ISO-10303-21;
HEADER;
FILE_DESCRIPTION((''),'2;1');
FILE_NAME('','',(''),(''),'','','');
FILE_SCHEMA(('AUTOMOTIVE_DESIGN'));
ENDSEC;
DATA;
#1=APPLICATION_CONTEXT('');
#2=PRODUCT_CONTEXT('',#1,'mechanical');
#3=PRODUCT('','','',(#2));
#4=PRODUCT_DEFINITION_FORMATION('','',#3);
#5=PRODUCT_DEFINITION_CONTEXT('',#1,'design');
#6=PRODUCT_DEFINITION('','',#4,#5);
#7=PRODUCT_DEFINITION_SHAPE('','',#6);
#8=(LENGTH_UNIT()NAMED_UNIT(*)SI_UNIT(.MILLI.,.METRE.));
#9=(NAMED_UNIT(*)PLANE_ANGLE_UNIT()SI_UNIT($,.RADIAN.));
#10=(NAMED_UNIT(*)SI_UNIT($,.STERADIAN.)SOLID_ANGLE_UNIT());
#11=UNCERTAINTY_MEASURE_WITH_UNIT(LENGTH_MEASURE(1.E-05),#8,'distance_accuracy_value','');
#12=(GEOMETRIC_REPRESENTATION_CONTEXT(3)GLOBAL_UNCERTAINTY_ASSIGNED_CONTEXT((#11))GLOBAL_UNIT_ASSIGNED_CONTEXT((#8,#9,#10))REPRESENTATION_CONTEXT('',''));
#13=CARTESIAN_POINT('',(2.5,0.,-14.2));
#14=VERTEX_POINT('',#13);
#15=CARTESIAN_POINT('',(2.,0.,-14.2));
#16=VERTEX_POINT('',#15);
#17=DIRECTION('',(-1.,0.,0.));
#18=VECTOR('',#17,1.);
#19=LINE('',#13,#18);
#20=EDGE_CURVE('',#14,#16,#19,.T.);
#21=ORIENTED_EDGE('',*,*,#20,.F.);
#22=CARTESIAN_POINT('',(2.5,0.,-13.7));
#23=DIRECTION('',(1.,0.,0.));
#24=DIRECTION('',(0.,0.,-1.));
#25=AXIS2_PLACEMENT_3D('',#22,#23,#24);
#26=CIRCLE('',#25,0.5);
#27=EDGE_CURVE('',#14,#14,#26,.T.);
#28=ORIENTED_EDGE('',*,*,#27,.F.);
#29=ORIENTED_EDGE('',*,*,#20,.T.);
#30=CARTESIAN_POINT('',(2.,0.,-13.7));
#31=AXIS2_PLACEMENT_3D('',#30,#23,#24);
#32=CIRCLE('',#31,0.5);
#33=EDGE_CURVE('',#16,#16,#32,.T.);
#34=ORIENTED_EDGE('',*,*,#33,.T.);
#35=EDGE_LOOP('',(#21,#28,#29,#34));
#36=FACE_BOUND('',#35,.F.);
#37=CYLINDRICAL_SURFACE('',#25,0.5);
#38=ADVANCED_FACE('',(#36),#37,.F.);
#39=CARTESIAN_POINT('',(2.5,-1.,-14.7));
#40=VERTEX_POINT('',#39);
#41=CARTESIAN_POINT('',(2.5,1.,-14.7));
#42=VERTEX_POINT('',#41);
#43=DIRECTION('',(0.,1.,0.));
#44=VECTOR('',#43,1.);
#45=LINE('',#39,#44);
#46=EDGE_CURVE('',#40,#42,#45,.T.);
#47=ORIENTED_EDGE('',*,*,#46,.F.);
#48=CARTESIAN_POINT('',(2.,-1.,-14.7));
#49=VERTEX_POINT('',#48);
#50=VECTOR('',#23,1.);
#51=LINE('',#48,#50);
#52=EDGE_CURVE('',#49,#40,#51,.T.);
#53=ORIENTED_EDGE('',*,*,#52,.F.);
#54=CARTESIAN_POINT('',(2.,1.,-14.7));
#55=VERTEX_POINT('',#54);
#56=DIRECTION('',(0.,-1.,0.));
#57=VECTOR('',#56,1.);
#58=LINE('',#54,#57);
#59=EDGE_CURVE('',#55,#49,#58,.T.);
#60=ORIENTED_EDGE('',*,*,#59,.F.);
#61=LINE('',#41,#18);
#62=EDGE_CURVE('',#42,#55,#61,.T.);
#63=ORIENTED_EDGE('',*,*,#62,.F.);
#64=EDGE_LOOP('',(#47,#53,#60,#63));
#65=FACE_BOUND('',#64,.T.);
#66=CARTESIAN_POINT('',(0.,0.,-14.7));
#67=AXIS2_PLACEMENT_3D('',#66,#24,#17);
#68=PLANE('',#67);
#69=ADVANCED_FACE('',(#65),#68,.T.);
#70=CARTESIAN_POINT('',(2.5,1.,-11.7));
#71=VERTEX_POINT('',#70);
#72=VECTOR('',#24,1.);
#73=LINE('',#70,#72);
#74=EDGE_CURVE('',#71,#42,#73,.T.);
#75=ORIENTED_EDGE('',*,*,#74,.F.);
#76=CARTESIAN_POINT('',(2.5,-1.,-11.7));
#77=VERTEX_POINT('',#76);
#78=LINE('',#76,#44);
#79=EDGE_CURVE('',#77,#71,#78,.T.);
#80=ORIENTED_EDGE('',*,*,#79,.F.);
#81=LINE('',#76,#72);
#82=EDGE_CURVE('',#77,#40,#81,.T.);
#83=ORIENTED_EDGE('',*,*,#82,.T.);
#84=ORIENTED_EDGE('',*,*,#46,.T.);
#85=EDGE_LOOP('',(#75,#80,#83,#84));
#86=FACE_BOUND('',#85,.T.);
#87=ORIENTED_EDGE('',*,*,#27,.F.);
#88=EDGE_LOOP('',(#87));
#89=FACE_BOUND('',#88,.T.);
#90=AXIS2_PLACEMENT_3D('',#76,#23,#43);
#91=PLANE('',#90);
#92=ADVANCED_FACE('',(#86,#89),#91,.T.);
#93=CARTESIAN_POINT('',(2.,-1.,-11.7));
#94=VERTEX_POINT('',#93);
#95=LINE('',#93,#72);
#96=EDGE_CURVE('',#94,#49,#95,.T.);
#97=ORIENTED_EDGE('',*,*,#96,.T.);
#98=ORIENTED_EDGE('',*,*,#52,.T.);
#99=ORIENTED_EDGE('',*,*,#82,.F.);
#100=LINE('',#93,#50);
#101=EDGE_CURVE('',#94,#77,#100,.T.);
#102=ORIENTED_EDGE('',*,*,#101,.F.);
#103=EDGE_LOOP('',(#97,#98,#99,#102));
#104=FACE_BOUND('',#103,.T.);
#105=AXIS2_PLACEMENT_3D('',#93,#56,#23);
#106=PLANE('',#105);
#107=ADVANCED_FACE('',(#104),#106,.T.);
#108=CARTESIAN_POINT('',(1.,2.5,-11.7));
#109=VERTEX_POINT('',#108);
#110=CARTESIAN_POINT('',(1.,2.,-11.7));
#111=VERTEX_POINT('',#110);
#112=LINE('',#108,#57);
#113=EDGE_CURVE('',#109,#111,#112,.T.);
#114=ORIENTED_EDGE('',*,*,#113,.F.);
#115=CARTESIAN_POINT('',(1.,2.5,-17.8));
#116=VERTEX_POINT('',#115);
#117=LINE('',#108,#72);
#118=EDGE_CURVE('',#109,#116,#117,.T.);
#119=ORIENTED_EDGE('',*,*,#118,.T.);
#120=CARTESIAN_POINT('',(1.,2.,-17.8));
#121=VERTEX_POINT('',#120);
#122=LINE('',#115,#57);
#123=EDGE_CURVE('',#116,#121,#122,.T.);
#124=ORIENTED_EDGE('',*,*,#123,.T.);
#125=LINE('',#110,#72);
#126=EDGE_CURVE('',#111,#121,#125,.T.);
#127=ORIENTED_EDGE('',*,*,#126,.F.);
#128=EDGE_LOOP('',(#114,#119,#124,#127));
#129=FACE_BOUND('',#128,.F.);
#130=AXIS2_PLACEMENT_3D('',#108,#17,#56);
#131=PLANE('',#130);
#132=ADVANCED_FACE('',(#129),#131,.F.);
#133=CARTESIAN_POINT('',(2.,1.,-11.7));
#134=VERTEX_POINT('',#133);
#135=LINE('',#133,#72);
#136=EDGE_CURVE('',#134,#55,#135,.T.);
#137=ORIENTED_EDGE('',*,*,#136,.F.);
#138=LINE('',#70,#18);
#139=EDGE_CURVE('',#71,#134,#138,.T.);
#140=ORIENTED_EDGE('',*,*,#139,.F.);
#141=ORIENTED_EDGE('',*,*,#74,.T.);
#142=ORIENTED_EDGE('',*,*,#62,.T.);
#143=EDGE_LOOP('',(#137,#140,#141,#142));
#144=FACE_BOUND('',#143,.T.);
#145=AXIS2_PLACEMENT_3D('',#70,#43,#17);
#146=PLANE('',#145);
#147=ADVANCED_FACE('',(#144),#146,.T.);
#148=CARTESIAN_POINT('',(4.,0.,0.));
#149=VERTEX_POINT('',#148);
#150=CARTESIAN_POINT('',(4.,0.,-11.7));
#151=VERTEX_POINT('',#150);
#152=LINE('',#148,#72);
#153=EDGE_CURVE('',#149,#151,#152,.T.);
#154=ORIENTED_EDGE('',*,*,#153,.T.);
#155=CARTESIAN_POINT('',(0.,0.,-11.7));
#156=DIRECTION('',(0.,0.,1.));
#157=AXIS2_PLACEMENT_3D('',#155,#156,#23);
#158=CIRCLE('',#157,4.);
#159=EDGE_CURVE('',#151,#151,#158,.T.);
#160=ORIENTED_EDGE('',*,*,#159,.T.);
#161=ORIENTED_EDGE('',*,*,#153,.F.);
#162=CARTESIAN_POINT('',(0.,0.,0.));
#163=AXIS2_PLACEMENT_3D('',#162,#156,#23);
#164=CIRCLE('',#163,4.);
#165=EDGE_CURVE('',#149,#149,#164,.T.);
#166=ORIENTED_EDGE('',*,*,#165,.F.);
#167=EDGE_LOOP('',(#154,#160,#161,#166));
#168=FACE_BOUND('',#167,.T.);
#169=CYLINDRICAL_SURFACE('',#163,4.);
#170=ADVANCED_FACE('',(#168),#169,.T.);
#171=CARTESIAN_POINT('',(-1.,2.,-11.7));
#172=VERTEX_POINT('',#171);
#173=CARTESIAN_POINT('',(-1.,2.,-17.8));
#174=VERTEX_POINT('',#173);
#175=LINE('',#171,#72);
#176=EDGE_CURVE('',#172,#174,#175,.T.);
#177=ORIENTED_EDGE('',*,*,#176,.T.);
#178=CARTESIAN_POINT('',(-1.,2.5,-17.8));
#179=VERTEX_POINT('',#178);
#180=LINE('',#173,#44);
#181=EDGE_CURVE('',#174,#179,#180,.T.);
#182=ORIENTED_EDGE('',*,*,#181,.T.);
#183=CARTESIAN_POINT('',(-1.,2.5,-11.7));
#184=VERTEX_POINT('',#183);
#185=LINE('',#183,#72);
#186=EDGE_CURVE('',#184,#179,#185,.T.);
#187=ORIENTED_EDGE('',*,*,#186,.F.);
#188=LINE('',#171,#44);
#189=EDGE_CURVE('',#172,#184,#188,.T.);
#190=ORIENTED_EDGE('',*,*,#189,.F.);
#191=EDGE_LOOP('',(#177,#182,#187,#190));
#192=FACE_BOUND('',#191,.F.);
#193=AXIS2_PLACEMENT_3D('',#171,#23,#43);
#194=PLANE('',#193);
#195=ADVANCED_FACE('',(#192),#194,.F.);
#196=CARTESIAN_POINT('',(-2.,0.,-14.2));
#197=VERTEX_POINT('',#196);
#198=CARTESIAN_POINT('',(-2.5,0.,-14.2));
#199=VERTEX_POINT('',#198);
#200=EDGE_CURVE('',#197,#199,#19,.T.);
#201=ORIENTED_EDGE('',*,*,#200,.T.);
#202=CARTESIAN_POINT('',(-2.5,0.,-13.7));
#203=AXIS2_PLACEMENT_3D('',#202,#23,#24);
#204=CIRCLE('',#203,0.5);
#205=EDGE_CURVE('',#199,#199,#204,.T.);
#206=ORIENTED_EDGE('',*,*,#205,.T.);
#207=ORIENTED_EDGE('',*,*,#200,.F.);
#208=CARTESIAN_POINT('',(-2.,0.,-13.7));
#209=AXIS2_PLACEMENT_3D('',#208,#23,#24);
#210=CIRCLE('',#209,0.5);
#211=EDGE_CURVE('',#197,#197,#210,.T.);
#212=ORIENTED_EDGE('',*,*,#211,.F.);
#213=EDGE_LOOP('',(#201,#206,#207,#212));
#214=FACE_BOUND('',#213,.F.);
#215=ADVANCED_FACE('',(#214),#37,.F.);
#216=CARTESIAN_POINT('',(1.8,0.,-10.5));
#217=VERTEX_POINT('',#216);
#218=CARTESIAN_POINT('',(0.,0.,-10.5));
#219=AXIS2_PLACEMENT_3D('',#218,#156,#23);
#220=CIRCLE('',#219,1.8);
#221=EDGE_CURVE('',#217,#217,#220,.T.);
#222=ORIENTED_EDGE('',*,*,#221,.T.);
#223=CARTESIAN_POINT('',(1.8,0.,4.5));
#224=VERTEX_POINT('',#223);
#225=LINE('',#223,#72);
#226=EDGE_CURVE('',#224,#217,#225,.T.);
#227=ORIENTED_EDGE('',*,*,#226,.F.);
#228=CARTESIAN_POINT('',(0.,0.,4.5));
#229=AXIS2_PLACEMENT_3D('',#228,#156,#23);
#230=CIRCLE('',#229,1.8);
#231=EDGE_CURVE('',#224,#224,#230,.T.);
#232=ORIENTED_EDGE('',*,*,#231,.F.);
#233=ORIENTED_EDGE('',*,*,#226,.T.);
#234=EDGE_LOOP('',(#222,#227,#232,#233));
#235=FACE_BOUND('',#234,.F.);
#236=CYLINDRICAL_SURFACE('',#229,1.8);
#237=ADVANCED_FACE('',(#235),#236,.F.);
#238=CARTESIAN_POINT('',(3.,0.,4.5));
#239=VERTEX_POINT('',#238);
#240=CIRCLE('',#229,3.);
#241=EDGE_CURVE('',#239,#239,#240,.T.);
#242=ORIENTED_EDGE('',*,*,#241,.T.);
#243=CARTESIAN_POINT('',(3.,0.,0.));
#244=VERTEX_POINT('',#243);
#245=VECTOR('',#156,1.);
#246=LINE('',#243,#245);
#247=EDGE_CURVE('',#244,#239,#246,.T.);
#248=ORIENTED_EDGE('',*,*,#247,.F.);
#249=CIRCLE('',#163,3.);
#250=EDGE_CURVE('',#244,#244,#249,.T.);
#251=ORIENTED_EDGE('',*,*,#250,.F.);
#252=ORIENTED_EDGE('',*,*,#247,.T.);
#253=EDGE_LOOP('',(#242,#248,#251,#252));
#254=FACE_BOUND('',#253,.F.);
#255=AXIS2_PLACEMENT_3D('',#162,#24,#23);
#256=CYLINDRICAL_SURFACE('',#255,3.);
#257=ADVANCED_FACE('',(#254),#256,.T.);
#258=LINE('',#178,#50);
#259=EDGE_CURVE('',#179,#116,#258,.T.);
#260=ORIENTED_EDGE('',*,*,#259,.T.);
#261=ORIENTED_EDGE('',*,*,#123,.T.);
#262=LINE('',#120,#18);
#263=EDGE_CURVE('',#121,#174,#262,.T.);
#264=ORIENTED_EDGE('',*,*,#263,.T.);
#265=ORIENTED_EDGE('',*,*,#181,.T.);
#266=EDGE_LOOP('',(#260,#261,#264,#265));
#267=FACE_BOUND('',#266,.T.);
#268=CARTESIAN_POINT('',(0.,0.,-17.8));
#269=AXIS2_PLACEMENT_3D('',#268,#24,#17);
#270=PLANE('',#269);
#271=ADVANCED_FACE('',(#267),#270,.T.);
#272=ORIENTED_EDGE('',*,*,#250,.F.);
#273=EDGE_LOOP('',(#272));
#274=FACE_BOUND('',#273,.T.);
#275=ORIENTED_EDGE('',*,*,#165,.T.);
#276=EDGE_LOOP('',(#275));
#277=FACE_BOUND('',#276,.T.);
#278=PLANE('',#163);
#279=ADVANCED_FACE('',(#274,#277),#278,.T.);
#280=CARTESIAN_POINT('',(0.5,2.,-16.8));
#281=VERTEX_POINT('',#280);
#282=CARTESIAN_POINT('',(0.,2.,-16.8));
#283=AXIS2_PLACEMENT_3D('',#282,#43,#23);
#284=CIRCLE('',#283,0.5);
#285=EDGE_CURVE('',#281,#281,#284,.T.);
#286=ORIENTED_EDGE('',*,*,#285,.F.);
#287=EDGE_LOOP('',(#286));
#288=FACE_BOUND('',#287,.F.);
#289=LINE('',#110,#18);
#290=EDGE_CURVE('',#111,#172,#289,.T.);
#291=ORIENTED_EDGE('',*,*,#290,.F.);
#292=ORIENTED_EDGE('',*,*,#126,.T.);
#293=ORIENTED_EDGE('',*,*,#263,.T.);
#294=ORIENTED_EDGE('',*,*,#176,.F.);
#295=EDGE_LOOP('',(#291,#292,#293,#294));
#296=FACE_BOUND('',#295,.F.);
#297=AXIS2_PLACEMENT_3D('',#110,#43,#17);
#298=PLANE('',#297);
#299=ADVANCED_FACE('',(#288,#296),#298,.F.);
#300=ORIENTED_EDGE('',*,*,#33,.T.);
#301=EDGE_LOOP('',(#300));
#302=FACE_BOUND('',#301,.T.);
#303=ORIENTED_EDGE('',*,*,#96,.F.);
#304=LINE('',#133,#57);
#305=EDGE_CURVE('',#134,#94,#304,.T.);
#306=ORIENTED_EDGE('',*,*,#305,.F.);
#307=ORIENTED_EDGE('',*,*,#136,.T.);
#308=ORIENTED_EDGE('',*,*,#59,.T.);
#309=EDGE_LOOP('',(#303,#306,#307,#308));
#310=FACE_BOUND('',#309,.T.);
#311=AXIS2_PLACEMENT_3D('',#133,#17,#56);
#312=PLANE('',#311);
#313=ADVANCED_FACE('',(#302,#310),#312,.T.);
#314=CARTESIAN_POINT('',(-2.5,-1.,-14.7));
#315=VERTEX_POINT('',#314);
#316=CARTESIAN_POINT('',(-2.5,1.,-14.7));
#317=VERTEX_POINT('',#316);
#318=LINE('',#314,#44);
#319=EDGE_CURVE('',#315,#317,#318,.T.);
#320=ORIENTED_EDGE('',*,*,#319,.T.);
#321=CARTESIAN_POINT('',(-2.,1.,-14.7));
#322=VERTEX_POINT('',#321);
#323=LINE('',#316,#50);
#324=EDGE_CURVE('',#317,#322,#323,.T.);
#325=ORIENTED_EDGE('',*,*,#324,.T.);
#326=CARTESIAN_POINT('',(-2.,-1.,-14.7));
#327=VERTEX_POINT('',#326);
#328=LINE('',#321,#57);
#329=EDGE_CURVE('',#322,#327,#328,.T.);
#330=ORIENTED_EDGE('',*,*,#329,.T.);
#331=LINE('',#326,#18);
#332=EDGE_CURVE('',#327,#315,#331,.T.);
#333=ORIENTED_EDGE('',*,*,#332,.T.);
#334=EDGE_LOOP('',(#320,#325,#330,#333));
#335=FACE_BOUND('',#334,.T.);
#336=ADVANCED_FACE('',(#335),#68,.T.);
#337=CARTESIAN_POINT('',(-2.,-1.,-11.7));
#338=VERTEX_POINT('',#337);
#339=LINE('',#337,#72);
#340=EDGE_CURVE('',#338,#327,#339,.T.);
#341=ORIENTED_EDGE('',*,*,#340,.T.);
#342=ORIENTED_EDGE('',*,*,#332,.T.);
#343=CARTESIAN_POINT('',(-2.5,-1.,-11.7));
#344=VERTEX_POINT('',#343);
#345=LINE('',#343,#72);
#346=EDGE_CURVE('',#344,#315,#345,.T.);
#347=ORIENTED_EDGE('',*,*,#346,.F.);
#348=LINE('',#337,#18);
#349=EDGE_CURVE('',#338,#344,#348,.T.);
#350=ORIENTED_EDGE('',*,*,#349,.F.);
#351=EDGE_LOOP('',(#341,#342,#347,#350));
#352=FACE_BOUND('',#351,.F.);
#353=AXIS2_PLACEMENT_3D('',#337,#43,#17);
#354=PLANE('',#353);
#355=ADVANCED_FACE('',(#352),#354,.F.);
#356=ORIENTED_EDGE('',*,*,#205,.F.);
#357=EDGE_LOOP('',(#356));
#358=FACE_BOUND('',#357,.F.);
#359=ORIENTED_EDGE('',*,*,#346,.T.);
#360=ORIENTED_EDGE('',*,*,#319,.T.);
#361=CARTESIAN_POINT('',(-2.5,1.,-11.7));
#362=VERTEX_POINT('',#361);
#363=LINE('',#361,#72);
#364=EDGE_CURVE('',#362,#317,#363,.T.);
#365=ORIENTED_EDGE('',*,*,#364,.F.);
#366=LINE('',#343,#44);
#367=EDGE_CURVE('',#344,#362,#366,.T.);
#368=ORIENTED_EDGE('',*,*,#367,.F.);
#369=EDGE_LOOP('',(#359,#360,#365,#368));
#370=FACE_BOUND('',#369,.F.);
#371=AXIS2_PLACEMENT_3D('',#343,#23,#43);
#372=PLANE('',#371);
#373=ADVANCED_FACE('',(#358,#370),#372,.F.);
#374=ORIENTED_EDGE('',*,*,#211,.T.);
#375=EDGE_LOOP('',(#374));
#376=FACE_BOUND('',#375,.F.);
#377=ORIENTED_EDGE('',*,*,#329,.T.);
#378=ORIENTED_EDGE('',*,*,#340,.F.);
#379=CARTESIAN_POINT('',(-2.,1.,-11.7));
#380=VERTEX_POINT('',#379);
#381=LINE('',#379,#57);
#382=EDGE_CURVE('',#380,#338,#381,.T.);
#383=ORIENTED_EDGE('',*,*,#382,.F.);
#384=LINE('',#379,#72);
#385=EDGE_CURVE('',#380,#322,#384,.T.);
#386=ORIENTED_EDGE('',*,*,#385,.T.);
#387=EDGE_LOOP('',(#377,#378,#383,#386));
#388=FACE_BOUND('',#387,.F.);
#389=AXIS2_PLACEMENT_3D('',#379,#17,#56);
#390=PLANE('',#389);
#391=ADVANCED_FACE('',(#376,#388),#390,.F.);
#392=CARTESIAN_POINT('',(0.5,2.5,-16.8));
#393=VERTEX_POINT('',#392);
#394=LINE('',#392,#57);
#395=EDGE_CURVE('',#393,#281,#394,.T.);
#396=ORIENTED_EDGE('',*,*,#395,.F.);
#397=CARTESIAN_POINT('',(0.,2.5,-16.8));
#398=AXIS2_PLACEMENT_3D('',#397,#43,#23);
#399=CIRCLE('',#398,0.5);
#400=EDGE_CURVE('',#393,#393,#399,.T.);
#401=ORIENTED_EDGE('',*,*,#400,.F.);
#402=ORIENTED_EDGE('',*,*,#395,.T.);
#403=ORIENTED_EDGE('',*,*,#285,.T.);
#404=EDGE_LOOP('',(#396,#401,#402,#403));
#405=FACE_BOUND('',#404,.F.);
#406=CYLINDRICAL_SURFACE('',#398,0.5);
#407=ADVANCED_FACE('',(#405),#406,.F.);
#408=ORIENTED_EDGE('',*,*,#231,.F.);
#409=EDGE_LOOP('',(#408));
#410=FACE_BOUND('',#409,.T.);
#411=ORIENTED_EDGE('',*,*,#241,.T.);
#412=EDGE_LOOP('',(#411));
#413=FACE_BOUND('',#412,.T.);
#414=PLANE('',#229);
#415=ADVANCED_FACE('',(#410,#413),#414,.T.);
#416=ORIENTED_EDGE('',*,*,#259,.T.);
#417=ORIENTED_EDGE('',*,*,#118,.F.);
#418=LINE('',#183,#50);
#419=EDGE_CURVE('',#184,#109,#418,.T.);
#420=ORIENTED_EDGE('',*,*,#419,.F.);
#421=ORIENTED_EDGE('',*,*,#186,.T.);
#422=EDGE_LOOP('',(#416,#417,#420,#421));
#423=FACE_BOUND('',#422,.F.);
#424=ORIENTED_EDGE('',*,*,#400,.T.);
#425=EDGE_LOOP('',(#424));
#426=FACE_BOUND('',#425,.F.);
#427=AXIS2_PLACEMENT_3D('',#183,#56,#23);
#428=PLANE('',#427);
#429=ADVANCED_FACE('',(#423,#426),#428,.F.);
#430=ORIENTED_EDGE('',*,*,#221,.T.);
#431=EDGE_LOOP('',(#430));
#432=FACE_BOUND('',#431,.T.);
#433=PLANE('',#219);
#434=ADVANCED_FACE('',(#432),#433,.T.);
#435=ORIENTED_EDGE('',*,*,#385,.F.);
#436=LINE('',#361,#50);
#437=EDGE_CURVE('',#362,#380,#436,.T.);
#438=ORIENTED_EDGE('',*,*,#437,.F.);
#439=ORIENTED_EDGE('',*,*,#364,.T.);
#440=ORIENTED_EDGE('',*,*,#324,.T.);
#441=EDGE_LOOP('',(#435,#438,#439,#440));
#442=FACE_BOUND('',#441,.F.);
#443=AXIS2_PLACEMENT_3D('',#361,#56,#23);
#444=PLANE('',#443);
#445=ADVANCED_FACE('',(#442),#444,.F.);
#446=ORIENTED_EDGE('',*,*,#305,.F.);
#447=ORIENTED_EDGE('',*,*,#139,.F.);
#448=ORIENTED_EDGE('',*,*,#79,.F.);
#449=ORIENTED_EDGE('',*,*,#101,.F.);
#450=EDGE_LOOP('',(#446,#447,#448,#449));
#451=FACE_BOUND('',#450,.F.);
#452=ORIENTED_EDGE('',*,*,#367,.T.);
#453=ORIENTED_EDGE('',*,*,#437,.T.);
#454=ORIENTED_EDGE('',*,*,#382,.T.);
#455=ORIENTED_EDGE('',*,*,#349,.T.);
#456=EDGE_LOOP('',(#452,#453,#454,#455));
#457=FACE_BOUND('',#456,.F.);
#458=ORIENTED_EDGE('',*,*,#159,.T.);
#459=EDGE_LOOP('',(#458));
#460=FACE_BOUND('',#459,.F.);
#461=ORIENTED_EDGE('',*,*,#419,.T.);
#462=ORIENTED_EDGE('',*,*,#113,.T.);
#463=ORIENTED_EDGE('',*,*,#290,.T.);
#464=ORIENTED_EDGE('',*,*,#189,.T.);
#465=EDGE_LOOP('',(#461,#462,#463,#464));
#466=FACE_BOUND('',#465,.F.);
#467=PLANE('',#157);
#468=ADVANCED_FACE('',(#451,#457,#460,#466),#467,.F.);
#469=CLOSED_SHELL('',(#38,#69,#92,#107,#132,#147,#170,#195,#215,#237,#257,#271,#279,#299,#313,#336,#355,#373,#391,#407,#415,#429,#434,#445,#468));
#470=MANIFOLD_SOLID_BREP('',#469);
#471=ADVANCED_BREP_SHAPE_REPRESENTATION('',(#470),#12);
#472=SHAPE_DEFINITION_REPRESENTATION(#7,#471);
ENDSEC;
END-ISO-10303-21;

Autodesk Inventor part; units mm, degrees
ref_plane "YZ Plane" through (0, 0, 0) normal (1, 0, 0) x (0, 1, 0)
ref_plane "XZ Plane" through (0, 0, 0) normal (0, 1, 0) x (-1, 0, 0)
ref_plane "XY Plane" through (0, 0, 0) normal (0, 0, 1) x (1, 0, 0)
sketch "Sketch1" plane through (0, 0, 0) normal (0, 0, 1) x (1, 0, 0)
  circle A0 centre (0, 0) radius 4
  dimension "d0" = 8
extrude "Extrusion1" add sketch "Sketch1" against normal blind 11.7
sketch "Sketch2" plane through (0, 0, 0) normal (0, 0, 1) x (1, 0, 0)
  circle A0 centre (0, 0) radius 4 projected
  circle A1 centre (0, 0) radius 3
  dimension "d3" = 6
extrude "Extrusion2" add sketch "Sketch2" along normal blind 4.5 contours A1
thread "Thread1" size "M6x0.5" class "6g" standard "ANSI Metric M Profile" full length
sketch "Sketch3" plane through (0, 0, 4.5) normal (0, 0, 1) x (1, 0, 0)
  circle A0 centre (0, 0) radius 3 projected
  circle A1 centre (0, 0) radius 1.8
  dimension "d8" = 3.6
extrude "Extrusion3" cut sketch "Sketch3" against normal blind 15 contours A1
sketch "Sketch4" plane through (0, 0, -11.7) normal (0, 0, -1) x (-1, 0, 0)
  circle A0 centre (0, 0) radius 4 construction
  line L0 (0, 0) -> (0, 2.7273) construction
  line L1 (-2.5, 1) -> (-2, 1)
  line L2 (-2, 1) -> (-2, -1)
  line L3 (-2, -1) -> (-2.5, -1)
  line L4 (-2.5, -1) -> (-2.5, 1)
  line L5 (2.5, 1) -> (2, 1)
  line L6 (2, 1) -> (2, -1)
  line L7 (2, -1) -> (2.5, -1)
  line L8 (2.5, -1) -> (2.5, 1)
  dimension "d11" = 2
  dimension "d12" = 0.5
  dimension "d13" = 2
  dimension "d14" = 1
extrude "Extrusion4" add sketch "Sketch4" along normal blind 3
sketch "Sketch5" plane through (0, 0, -11.7) normal (0, 0, -1) x (-1, 0, 0)
  circle A0 centre (0, 0) radius 4 projected
  line L0 (-1, 2) -> (1, 2)
  line L1 (1, 2) -> (1, 2.5)
  line L2 (1, 2.5) -> (-1, 2.5)
  line L3 (-1, 2.5) -> (-1, 2)
  line L4 (-1, 2) -> (1, 2.5) construction
  line L5 (1, 2) -> (-1, 2.5) construction
  point P0 (0, 2.25)
  dimension "d17" = 2
  dimension "d18" = 0.5
  dimension "d19" = 2
  dimension "d20" = 1
extrude "Extrusion5" add sketch "Sketch5" along normal blind 6.1 contours L3 L2 L1 L0
sketch "Sketch6" plane through (2.5, -1, -11.7) normal (1, 0, 0) x (0, 0, -1)
  line L0 (3, 2) -> (3, 0) projected
  circle A0 centre (2, 1) radius 0.5
  point P0 (-11.7, 1)
  dimension "d23" = 1
  dimension "d24" = 1
extrude "Extrusion6" cut sketch "Sketch6" against normal through all
sketch "Sketch7" plane through (-1, 2.5, -11.7) normal (0, 1, 0) x (1, 0, 0)
  line L0 (0, 6.1) -> (2, 6.1) projected
  circle A0 centre (1, 5.1) radius 0.5
  point P0 (1, -11.7)
  dimension "d27" = 1
  dimension "d28" = 1
extrude "Extrusion7" cut sketch "Sketch7" against normal blind 6.1
sketch "Sketch8" plane through (2.5, -1, -11.7) normal (1, 0, 0) x (0, 0, -1)
  circle A0 centre (2, 1) radius 0.5 projected
sketch "Sketch9" plane through (-1, 2, -11.7) normal (0, -1, 0) x (1, 0, 0)
  circle A0 centre (1, -5.1) radius 0.5 projected
sketch "Sketch10" plane through (-2.5, -1, -11.7) normal (-1, 0, 0) x (0, 0, 1)
  circle A0 centre (-2, 1) radius 0.5 projected
equation "\"d14\" = 0.5 * d11"
equation "\"d20\" = 0.5 * d17"
properties part number "MJ-074N" material "Nickel-Copper Alloy 400"
